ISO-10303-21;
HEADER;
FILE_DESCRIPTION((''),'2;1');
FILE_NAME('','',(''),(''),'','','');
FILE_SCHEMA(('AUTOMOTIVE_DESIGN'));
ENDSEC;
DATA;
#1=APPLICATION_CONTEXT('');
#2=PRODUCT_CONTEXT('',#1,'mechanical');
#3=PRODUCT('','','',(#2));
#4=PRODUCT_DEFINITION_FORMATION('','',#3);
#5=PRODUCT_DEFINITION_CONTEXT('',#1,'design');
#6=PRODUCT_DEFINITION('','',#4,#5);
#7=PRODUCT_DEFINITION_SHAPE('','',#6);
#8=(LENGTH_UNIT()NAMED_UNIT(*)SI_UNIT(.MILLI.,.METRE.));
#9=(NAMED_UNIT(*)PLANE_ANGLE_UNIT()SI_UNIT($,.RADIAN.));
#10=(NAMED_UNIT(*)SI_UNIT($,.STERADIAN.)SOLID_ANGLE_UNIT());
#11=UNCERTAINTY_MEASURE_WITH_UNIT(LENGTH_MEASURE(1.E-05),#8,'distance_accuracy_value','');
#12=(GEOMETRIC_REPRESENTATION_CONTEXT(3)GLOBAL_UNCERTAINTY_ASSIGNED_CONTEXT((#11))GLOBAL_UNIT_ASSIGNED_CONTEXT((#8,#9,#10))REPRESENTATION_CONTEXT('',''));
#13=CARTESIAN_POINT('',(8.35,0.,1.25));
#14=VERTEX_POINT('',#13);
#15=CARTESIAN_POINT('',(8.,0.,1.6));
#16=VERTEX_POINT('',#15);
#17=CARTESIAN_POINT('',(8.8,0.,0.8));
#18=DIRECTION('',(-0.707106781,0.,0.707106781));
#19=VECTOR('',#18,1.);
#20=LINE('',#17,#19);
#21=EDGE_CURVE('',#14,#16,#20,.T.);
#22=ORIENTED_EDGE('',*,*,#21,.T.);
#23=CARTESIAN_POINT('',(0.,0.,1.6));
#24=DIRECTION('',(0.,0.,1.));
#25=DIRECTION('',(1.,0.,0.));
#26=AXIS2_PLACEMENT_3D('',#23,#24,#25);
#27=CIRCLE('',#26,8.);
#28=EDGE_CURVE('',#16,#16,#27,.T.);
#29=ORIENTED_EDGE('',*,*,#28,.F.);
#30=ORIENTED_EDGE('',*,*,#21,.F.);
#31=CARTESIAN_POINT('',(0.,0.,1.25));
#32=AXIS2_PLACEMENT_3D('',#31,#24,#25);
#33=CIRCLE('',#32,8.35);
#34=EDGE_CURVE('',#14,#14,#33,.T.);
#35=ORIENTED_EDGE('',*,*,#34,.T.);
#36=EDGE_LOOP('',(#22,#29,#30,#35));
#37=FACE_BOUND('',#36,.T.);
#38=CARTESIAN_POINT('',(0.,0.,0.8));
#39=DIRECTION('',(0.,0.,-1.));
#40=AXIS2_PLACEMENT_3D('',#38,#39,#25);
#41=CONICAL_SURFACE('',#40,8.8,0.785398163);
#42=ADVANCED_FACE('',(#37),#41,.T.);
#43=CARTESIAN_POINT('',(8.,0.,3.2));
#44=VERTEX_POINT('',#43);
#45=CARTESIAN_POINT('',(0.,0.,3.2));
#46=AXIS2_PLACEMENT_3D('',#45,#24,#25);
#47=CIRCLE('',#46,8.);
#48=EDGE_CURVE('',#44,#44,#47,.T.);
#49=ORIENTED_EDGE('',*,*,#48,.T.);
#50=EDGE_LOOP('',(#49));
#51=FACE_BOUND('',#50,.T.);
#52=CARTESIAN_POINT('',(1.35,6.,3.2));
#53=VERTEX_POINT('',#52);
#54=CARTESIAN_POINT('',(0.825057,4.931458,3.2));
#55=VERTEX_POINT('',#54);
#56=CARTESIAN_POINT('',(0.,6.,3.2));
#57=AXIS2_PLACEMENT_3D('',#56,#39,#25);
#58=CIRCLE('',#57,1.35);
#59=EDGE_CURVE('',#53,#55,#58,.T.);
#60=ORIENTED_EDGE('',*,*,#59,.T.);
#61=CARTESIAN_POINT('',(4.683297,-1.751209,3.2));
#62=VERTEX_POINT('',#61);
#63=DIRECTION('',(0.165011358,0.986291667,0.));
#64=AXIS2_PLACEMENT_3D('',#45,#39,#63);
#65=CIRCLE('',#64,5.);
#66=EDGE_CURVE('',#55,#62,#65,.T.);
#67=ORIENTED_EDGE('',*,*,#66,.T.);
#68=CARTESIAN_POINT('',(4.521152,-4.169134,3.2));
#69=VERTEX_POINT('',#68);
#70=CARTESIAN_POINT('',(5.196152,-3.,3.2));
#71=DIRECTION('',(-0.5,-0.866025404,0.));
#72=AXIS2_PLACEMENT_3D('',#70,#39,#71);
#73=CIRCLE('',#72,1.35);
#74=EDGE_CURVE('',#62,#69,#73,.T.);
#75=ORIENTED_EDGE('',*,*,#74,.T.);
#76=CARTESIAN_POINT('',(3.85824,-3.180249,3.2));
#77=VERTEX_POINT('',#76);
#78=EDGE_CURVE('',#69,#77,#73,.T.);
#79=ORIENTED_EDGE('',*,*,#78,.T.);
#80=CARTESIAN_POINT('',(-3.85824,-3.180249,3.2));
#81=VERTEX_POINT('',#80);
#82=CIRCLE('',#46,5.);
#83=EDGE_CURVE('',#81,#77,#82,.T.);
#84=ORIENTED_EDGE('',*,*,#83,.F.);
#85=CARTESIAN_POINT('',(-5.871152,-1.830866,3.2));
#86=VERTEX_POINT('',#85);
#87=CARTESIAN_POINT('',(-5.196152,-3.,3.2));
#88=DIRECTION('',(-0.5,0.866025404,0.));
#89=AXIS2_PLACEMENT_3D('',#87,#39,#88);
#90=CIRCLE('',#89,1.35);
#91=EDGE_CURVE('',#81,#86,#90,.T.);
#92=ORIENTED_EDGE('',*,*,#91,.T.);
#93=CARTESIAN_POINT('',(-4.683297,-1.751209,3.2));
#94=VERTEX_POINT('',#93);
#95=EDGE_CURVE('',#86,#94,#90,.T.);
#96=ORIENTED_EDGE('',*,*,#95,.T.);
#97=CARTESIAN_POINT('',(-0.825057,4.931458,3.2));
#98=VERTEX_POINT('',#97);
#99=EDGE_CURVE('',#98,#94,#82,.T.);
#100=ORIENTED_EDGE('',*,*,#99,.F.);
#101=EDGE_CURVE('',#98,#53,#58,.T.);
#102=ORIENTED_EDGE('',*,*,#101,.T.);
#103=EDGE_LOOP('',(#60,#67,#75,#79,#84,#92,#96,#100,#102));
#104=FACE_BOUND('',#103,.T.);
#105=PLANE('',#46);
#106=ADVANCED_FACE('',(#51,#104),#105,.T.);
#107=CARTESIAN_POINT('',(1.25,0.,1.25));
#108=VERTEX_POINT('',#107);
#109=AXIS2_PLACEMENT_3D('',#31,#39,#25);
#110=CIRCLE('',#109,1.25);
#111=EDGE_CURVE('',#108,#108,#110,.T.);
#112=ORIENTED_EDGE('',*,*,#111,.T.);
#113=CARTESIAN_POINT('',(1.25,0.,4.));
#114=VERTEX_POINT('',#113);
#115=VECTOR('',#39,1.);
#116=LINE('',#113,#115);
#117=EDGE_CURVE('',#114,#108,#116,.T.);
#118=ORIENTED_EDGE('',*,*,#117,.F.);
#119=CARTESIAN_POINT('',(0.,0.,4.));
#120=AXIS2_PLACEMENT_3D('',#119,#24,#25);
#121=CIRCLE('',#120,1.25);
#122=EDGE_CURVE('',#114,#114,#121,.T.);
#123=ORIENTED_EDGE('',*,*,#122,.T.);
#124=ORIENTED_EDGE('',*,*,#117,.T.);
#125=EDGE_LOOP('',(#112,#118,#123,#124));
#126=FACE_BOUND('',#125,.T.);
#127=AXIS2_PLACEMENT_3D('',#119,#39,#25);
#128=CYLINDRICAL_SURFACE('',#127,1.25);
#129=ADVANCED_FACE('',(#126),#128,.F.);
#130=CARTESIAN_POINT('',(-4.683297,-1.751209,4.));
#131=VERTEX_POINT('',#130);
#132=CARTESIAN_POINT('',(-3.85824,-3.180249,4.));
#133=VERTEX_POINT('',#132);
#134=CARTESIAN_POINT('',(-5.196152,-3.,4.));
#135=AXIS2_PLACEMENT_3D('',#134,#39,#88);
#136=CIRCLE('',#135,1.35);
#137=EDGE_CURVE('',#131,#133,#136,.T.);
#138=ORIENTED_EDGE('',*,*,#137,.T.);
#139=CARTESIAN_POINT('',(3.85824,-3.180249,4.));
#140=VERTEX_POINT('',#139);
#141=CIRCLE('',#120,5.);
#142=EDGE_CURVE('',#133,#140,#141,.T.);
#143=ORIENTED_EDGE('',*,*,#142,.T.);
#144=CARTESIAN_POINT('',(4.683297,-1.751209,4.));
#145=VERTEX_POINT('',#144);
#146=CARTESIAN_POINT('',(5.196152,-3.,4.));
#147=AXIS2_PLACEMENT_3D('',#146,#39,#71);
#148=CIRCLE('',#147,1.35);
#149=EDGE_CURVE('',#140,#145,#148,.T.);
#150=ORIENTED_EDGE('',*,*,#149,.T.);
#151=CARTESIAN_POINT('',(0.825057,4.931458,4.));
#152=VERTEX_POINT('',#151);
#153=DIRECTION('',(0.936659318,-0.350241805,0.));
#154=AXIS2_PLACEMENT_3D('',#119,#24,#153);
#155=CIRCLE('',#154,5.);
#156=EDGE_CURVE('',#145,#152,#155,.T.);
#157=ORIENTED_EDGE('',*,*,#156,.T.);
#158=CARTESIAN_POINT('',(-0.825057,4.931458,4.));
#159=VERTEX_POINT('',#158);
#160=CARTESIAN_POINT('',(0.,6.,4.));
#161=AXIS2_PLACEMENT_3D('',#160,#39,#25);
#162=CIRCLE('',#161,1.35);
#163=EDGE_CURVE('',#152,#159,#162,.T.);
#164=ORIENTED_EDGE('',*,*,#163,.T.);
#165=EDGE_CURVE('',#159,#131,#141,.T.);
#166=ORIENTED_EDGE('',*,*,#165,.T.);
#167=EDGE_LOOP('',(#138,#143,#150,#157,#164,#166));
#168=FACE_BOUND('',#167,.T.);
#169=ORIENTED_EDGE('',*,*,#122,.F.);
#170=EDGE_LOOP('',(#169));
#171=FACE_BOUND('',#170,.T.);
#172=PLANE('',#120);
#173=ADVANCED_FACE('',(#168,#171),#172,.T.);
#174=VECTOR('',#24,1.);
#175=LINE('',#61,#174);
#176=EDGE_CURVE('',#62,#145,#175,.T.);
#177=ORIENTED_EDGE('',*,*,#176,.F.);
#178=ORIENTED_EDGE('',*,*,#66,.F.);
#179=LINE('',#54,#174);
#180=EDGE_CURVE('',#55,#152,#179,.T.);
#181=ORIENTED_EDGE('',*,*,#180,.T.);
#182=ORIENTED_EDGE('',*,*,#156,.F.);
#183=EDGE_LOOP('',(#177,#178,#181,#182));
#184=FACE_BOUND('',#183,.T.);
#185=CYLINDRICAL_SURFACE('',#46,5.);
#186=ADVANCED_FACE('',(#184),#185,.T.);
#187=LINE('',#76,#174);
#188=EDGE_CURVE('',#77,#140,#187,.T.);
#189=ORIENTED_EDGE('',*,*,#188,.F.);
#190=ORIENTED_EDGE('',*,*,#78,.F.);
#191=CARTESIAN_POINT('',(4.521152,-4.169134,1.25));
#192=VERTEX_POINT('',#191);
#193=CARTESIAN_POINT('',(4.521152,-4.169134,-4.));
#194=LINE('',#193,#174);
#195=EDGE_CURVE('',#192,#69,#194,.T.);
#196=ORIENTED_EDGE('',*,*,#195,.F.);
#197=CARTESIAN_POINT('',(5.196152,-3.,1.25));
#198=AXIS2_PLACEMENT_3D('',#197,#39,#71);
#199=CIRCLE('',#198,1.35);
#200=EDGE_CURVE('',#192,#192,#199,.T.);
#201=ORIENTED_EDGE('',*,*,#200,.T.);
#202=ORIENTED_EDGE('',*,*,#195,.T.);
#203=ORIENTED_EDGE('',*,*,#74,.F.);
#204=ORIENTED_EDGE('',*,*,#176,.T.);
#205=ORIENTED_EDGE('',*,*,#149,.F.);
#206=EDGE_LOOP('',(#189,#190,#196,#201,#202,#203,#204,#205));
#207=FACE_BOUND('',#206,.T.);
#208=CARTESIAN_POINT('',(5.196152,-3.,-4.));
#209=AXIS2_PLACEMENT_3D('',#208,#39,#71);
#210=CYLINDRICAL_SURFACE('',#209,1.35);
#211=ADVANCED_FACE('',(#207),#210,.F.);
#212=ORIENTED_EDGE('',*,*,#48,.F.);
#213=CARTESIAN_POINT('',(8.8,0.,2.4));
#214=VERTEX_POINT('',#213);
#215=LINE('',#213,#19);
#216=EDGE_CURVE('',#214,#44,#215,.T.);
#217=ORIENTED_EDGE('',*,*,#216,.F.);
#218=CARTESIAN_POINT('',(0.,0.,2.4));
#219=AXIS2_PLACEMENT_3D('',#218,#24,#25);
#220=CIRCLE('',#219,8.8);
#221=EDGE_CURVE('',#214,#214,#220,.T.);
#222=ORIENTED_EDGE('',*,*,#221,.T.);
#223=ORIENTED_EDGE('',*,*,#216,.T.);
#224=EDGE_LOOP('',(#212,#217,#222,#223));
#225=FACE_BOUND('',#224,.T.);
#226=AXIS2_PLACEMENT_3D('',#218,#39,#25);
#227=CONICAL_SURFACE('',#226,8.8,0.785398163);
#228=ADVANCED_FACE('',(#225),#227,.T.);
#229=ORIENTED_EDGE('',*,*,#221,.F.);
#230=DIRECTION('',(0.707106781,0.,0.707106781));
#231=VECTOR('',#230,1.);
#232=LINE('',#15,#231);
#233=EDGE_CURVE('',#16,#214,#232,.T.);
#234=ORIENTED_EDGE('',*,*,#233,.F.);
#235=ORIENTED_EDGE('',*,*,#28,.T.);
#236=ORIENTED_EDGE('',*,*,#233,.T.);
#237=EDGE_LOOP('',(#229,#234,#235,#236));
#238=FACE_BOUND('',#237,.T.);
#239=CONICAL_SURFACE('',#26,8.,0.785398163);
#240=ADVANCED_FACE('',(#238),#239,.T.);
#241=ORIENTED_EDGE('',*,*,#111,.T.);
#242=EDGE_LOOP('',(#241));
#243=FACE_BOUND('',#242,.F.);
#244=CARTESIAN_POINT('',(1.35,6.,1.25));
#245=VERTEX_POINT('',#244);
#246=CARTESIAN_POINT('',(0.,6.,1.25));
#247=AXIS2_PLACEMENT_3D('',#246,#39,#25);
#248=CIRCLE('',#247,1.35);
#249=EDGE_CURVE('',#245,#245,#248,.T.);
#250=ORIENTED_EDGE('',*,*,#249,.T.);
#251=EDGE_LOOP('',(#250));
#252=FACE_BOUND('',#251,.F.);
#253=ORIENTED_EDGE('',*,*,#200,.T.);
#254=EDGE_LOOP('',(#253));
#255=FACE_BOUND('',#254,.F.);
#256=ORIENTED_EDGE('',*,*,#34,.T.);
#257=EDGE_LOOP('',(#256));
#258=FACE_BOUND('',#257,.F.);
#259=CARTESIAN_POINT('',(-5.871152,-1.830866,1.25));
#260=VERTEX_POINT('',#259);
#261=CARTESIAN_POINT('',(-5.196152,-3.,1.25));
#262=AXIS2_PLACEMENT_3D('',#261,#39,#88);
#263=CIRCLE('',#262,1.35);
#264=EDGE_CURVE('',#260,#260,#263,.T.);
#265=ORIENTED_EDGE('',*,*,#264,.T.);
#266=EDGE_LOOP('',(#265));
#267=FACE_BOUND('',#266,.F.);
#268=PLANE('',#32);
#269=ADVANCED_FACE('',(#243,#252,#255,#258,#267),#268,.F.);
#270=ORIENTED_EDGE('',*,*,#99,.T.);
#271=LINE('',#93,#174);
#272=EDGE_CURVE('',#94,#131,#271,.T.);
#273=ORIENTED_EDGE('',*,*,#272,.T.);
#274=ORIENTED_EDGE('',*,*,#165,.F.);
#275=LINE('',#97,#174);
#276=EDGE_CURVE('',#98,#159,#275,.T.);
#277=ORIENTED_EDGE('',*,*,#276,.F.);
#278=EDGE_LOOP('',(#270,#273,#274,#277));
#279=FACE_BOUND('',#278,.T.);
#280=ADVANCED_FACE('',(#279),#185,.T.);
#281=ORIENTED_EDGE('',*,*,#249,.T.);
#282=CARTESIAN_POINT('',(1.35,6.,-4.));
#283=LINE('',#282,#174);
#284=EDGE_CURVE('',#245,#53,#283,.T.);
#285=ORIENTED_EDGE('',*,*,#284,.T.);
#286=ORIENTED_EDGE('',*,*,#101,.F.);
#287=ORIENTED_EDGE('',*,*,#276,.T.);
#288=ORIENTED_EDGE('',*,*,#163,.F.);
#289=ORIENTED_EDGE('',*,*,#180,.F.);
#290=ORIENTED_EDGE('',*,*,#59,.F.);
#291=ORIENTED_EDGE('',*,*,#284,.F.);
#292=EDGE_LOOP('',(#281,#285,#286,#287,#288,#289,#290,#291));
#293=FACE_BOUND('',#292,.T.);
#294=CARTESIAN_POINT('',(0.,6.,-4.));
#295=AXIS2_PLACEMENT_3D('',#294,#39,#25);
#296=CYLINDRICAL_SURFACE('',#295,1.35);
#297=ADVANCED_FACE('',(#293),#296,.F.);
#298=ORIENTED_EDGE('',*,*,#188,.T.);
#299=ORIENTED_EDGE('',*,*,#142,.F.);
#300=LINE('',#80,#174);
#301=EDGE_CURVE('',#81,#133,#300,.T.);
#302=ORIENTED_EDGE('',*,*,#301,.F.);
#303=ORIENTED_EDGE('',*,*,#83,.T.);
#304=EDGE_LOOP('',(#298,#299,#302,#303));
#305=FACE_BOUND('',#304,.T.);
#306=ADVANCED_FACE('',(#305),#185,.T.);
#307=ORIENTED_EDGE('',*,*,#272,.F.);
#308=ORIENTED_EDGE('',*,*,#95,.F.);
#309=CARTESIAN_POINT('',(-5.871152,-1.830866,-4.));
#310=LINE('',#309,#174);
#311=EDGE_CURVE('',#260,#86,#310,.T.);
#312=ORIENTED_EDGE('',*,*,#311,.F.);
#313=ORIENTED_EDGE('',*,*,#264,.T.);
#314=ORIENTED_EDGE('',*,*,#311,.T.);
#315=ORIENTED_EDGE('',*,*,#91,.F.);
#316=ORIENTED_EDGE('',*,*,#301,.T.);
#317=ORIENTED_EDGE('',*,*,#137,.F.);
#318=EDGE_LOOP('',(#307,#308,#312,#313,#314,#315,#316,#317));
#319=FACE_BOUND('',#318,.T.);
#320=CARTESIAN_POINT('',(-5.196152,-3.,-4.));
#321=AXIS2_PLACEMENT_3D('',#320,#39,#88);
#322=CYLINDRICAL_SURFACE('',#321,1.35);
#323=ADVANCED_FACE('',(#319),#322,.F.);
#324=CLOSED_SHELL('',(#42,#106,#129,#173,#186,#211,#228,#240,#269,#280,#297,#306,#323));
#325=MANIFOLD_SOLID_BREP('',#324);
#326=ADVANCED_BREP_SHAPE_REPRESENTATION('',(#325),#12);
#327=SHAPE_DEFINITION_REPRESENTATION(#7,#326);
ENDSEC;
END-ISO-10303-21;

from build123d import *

# Parameters (mm, degrees)
CYLINDER002_R     = 20
CYLINDER002_DEPTH = 20
CYLINDER001_R     = 1.35
CYLINDER001_DEPTH = 10
ARRAY001_COUNT    = 3
CYLINDER_R        = 4.1
CYLINDER_DEPTH    = 2.25
SKETCH002_W       = 5
SKETCH002_H       = 4.7
ARRAY_Z_COUNT     = 6
ARRAY_Z_PITCH     = 1.6


with BuildPart() as upperdomain:
    # Cylinder002 → Cylinder002 (new body)
    with BuildSketch(Plane.XY.offset(1.25)):
        Circle(CYLINDER002_R)
    extrude(amount=CYLINDER002_DEPTH)


with BuildPart() as dins913:
    # Cylinder001 → Cylinder001 (new body)
    with BuildSketch(Plane(origin=(0, 6, -4), x_dir=(1, 0, 0), z_dir=(0, 0, 1))):
        Circle(CYLINDER001_R)
    extrude(amount=CYLINDER001_DEPTH)

    # Array001: DINs913 ×3 about axis
    array001_axis = Axis((0, 0, 0), (0, 0, 1))


with BuildPart() as dins913_1:
    add(dins913.part)
    for i in range(1, ARRAY001_COUNT):
        add(dins913.part.rotate(array001_axis, i * 360 / ARRAY001_COUNT))


with BuildPart() as lensfit:
    # Cylinder → Cylinder (new body)
    with BuildSketch(Plane.XY.offset(-1)):
        Circle(CYLINDER_R)
    extrude(amount=CYLINDER_DEPTH)


with BuildPart() as innergroovedom001:
    # Sketch002 → Revolution002 (revolve)
    with BuildSketch(Plane.XZ):
        with Locations((7.5, 0.85)):
            Rectangle(SKETCH002_W, SKETCH002_H)
    revolve(axis=Axis((0, 0, 0), (0, 0, 1)))


with BuildPart() as innergroovetool:
    # Sketch001 → Revolution001 (revolve)
    with BuildSketch(Plane.XZ):
        Polygon((4, 3.2), (4, 1.6), (8, 1.6), (8.8, 2.4), (8, 3.2), align=None)
    revolve(axis=Axis((0, 0, 0), (0, 0, 1)))

    # Array Z: InnerGrooveTool ×6


with BuildPart() as innergroovetool_1:
    add(innergroovetool.part)
    with Locations(*[(0, 0, -i * ARRAY_Z_PITCH) for i in range(1, ARRAY_Z_COUNT)]):
        add(innergroovetool.part)

    # Common: intersect InnerGrooveDom001
    add(innergroovedom001.part, mode=Mode.INTERSECT)


with BuildPart() as lid:
    # Sketch → Revolution (revolve)
    with BuildSketch(Plane.XZ):
        Polygon((1.25, 4), (1.25, -1.5), (8, -1.5), (8, 3.2), (5, 3.2), (5, 4), align=None)
    revolve(axis=Axis((0, 0, 0), (0, 0, 1)))

    # Fusion001: union InnerGrooveTool
    add(innergroovetool_1.part)

    # Cut: cut LensFit
    add(lensfit.part, mode=Mode.SUBTRACT)

    # Cut001: cut DINs913
    add(dins913_1.part, mode=Mode.SUBTRACT)

    # Common001: intersect UpperDomain
    add(upperdomain.part, mode=Mode.INTERSECT)


solid = lid.part
